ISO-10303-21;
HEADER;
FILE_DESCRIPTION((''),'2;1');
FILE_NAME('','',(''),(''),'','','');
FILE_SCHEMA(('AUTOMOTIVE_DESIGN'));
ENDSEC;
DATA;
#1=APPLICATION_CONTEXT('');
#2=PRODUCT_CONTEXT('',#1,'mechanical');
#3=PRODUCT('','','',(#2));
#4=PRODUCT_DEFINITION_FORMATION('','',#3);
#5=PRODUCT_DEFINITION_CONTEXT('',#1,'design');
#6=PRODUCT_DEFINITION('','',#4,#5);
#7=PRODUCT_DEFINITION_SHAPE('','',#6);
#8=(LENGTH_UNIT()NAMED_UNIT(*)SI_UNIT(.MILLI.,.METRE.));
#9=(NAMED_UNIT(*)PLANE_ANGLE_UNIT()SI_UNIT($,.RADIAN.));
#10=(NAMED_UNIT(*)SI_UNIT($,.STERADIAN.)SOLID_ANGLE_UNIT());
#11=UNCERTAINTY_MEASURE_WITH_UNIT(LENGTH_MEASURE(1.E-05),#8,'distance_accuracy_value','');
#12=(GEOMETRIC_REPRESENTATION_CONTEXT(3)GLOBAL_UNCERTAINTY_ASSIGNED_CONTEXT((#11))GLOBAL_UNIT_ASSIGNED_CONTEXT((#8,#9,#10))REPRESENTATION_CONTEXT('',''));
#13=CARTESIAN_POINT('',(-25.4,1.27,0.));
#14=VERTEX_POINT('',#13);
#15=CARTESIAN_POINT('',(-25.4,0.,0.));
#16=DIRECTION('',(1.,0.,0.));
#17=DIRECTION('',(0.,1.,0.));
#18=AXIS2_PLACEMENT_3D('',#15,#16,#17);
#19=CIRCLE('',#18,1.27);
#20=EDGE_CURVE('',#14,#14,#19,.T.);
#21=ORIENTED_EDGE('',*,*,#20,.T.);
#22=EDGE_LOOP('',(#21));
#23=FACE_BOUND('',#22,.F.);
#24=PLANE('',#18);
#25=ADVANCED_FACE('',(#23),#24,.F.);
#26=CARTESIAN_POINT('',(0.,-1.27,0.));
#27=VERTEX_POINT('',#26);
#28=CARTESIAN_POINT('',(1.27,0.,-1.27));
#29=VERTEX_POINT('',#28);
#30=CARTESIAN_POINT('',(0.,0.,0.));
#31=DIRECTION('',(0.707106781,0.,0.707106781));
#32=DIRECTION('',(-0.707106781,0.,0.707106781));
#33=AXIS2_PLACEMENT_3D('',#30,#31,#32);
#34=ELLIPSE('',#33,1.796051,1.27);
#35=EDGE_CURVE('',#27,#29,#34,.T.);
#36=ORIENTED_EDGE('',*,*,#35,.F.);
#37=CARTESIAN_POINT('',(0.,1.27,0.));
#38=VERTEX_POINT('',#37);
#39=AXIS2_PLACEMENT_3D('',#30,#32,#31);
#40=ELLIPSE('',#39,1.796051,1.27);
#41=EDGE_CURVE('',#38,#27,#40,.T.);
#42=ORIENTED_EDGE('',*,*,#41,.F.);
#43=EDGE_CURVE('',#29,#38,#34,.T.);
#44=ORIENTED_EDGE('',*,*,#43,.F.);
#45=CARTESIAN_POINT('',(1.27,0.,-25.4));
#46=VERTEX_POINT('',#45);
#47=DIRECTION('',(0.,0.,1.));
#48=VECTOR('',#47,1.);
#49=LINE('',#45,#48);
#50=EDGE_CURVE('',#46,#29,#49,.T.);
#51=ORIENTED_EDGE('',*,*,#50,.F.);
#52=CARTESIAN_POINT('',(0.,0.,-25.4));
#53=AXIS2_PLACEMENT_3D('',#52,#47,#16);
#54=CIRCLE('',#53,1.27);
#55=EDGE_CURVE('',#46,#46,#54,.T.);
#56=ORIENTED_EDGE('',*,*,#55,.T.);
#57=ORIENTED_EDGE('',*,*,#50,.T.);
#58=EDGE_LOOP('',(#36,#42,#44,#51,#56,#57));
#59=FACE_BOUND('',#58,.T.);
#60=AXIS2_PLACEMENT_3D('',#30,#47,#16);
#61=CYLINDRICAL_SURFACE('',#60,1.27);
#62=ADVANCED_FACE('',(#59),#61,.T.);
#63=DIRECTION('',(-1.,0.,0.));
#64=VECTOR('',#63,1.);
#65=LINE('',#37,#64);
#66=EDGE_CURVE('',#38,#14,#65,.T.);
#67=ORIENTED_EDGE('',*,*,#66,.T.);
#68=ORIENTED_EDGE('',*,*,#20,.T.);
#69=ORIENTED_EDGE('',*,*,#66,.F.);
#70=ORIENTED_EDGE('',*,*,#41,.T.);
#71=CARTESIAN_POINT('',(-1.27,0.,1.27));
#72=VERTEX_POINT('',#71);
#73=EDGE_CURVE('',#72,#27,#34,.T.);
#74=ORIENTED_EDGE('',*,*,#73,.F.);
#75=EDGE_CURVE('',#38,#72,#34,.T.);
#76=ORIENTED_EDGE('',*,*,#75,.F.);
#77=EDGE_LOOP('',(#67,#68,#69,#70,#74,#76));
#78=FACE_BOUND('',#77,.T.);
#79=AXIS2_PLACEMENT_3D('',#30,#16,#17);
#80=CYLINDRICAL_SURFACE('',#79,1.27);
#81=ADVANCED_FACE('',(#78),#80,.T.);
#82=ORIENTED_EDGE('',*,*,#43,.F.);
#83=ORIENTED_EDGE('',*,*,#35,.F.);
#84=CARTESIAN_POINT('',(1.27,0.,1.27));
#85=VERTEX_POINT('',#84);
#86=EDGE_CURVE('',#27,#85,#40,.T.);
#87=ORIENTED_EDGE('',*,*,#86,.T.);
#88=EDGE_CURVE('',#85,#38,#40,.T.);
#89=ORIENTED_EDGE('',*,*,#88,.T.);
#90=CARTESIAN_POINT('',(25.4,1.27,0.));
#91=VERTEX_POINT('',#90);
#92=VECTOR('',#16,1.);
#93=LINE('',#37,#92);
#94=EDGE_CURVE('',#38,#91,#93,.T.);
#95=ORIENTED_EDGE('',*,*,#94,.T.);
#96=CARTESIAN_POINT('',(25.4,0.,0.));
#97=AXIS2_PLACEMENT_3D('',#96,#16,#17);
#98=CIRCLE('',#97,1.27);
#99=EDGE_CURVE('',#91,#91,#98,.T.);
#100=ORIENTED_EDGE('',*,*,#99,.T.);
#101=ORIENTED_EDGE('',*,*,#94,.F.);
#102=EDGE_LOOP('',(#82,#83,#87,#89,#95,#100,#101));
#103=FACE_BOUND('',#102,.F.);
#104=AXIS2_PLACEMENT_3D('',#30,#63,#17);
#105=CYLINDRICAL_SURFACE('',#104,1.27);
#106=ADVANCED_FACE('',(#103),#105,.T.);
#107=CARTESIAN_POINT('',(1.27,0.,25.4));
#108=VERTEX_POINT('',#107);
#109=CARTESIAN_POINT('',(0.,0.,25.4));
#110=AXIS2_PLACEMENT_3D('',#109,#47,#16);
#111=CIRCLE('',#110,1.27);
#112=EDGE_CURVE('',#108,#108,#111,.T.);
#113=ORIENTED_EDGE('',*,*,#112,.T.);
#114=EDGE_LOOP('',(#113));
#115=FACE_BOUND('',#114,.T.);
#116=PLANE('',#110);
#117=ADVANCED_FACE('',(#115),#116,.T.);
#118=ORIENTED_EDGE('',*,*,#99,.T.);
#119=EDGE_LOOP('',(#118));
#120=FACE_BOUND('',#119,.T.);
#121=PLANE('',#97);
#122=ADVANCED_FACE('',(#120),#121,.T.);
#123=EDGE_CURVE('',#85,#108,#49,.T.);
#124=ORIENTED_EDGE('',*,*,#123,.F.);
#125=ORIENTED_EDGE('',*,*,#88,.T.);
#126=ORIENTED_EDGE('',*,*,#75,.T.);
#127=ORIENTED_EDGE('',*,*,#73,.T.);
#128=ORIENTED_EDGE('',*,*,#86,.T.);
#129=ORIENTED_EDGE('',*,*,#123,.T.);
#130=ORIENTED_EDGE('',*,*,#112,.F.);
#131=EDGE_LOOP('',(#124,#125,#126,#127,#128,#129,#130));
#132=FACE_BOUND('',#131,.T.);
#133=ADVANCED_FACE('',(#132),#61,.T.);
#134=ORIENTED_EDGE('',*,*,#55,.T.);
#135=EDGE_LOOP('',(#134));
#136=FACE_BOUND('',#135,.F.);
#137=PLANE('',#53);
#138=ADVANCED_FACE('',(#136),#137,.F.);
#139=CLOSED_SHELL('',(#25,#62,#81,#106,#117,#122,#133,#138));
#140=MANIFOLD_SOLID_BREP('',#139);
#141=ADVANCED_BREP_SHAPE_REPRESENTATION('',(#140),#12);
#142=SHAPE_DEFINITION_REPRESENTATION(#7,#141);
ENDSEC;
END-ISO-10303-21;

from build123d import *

# Parameters (mm, degrees)
F0_R          = 1.27
F1_DEPTH      = 25.4
F1_DEPTH_BACK = 25.4
F2_R          = 1.27
F3_DEPTH      = 25.4
F3_DEPTH_BACK = 25.4


with BuildPart() as f1:
    # F0 (on Top) → F1 (new body, two sides)
    with BuildSketch(Plane.XY) as f1_sk:
        Circle(F0_R)
    extrude(amount=F1_DEPTH)
    extrude(f1_sk.sketch, amount=-F1_DEPTH_BACK)

    # F2 (on Right) → F3 (join, two sides)
    with BuildSketch(Plane.YZ) as f3_sk:
        Circle(F2_R)
    extrude(amount=F3_DEPTH)
    extrude(f3_sk.sketch, amount=-F3_DEPTH_BACK)


solid = f1.part
